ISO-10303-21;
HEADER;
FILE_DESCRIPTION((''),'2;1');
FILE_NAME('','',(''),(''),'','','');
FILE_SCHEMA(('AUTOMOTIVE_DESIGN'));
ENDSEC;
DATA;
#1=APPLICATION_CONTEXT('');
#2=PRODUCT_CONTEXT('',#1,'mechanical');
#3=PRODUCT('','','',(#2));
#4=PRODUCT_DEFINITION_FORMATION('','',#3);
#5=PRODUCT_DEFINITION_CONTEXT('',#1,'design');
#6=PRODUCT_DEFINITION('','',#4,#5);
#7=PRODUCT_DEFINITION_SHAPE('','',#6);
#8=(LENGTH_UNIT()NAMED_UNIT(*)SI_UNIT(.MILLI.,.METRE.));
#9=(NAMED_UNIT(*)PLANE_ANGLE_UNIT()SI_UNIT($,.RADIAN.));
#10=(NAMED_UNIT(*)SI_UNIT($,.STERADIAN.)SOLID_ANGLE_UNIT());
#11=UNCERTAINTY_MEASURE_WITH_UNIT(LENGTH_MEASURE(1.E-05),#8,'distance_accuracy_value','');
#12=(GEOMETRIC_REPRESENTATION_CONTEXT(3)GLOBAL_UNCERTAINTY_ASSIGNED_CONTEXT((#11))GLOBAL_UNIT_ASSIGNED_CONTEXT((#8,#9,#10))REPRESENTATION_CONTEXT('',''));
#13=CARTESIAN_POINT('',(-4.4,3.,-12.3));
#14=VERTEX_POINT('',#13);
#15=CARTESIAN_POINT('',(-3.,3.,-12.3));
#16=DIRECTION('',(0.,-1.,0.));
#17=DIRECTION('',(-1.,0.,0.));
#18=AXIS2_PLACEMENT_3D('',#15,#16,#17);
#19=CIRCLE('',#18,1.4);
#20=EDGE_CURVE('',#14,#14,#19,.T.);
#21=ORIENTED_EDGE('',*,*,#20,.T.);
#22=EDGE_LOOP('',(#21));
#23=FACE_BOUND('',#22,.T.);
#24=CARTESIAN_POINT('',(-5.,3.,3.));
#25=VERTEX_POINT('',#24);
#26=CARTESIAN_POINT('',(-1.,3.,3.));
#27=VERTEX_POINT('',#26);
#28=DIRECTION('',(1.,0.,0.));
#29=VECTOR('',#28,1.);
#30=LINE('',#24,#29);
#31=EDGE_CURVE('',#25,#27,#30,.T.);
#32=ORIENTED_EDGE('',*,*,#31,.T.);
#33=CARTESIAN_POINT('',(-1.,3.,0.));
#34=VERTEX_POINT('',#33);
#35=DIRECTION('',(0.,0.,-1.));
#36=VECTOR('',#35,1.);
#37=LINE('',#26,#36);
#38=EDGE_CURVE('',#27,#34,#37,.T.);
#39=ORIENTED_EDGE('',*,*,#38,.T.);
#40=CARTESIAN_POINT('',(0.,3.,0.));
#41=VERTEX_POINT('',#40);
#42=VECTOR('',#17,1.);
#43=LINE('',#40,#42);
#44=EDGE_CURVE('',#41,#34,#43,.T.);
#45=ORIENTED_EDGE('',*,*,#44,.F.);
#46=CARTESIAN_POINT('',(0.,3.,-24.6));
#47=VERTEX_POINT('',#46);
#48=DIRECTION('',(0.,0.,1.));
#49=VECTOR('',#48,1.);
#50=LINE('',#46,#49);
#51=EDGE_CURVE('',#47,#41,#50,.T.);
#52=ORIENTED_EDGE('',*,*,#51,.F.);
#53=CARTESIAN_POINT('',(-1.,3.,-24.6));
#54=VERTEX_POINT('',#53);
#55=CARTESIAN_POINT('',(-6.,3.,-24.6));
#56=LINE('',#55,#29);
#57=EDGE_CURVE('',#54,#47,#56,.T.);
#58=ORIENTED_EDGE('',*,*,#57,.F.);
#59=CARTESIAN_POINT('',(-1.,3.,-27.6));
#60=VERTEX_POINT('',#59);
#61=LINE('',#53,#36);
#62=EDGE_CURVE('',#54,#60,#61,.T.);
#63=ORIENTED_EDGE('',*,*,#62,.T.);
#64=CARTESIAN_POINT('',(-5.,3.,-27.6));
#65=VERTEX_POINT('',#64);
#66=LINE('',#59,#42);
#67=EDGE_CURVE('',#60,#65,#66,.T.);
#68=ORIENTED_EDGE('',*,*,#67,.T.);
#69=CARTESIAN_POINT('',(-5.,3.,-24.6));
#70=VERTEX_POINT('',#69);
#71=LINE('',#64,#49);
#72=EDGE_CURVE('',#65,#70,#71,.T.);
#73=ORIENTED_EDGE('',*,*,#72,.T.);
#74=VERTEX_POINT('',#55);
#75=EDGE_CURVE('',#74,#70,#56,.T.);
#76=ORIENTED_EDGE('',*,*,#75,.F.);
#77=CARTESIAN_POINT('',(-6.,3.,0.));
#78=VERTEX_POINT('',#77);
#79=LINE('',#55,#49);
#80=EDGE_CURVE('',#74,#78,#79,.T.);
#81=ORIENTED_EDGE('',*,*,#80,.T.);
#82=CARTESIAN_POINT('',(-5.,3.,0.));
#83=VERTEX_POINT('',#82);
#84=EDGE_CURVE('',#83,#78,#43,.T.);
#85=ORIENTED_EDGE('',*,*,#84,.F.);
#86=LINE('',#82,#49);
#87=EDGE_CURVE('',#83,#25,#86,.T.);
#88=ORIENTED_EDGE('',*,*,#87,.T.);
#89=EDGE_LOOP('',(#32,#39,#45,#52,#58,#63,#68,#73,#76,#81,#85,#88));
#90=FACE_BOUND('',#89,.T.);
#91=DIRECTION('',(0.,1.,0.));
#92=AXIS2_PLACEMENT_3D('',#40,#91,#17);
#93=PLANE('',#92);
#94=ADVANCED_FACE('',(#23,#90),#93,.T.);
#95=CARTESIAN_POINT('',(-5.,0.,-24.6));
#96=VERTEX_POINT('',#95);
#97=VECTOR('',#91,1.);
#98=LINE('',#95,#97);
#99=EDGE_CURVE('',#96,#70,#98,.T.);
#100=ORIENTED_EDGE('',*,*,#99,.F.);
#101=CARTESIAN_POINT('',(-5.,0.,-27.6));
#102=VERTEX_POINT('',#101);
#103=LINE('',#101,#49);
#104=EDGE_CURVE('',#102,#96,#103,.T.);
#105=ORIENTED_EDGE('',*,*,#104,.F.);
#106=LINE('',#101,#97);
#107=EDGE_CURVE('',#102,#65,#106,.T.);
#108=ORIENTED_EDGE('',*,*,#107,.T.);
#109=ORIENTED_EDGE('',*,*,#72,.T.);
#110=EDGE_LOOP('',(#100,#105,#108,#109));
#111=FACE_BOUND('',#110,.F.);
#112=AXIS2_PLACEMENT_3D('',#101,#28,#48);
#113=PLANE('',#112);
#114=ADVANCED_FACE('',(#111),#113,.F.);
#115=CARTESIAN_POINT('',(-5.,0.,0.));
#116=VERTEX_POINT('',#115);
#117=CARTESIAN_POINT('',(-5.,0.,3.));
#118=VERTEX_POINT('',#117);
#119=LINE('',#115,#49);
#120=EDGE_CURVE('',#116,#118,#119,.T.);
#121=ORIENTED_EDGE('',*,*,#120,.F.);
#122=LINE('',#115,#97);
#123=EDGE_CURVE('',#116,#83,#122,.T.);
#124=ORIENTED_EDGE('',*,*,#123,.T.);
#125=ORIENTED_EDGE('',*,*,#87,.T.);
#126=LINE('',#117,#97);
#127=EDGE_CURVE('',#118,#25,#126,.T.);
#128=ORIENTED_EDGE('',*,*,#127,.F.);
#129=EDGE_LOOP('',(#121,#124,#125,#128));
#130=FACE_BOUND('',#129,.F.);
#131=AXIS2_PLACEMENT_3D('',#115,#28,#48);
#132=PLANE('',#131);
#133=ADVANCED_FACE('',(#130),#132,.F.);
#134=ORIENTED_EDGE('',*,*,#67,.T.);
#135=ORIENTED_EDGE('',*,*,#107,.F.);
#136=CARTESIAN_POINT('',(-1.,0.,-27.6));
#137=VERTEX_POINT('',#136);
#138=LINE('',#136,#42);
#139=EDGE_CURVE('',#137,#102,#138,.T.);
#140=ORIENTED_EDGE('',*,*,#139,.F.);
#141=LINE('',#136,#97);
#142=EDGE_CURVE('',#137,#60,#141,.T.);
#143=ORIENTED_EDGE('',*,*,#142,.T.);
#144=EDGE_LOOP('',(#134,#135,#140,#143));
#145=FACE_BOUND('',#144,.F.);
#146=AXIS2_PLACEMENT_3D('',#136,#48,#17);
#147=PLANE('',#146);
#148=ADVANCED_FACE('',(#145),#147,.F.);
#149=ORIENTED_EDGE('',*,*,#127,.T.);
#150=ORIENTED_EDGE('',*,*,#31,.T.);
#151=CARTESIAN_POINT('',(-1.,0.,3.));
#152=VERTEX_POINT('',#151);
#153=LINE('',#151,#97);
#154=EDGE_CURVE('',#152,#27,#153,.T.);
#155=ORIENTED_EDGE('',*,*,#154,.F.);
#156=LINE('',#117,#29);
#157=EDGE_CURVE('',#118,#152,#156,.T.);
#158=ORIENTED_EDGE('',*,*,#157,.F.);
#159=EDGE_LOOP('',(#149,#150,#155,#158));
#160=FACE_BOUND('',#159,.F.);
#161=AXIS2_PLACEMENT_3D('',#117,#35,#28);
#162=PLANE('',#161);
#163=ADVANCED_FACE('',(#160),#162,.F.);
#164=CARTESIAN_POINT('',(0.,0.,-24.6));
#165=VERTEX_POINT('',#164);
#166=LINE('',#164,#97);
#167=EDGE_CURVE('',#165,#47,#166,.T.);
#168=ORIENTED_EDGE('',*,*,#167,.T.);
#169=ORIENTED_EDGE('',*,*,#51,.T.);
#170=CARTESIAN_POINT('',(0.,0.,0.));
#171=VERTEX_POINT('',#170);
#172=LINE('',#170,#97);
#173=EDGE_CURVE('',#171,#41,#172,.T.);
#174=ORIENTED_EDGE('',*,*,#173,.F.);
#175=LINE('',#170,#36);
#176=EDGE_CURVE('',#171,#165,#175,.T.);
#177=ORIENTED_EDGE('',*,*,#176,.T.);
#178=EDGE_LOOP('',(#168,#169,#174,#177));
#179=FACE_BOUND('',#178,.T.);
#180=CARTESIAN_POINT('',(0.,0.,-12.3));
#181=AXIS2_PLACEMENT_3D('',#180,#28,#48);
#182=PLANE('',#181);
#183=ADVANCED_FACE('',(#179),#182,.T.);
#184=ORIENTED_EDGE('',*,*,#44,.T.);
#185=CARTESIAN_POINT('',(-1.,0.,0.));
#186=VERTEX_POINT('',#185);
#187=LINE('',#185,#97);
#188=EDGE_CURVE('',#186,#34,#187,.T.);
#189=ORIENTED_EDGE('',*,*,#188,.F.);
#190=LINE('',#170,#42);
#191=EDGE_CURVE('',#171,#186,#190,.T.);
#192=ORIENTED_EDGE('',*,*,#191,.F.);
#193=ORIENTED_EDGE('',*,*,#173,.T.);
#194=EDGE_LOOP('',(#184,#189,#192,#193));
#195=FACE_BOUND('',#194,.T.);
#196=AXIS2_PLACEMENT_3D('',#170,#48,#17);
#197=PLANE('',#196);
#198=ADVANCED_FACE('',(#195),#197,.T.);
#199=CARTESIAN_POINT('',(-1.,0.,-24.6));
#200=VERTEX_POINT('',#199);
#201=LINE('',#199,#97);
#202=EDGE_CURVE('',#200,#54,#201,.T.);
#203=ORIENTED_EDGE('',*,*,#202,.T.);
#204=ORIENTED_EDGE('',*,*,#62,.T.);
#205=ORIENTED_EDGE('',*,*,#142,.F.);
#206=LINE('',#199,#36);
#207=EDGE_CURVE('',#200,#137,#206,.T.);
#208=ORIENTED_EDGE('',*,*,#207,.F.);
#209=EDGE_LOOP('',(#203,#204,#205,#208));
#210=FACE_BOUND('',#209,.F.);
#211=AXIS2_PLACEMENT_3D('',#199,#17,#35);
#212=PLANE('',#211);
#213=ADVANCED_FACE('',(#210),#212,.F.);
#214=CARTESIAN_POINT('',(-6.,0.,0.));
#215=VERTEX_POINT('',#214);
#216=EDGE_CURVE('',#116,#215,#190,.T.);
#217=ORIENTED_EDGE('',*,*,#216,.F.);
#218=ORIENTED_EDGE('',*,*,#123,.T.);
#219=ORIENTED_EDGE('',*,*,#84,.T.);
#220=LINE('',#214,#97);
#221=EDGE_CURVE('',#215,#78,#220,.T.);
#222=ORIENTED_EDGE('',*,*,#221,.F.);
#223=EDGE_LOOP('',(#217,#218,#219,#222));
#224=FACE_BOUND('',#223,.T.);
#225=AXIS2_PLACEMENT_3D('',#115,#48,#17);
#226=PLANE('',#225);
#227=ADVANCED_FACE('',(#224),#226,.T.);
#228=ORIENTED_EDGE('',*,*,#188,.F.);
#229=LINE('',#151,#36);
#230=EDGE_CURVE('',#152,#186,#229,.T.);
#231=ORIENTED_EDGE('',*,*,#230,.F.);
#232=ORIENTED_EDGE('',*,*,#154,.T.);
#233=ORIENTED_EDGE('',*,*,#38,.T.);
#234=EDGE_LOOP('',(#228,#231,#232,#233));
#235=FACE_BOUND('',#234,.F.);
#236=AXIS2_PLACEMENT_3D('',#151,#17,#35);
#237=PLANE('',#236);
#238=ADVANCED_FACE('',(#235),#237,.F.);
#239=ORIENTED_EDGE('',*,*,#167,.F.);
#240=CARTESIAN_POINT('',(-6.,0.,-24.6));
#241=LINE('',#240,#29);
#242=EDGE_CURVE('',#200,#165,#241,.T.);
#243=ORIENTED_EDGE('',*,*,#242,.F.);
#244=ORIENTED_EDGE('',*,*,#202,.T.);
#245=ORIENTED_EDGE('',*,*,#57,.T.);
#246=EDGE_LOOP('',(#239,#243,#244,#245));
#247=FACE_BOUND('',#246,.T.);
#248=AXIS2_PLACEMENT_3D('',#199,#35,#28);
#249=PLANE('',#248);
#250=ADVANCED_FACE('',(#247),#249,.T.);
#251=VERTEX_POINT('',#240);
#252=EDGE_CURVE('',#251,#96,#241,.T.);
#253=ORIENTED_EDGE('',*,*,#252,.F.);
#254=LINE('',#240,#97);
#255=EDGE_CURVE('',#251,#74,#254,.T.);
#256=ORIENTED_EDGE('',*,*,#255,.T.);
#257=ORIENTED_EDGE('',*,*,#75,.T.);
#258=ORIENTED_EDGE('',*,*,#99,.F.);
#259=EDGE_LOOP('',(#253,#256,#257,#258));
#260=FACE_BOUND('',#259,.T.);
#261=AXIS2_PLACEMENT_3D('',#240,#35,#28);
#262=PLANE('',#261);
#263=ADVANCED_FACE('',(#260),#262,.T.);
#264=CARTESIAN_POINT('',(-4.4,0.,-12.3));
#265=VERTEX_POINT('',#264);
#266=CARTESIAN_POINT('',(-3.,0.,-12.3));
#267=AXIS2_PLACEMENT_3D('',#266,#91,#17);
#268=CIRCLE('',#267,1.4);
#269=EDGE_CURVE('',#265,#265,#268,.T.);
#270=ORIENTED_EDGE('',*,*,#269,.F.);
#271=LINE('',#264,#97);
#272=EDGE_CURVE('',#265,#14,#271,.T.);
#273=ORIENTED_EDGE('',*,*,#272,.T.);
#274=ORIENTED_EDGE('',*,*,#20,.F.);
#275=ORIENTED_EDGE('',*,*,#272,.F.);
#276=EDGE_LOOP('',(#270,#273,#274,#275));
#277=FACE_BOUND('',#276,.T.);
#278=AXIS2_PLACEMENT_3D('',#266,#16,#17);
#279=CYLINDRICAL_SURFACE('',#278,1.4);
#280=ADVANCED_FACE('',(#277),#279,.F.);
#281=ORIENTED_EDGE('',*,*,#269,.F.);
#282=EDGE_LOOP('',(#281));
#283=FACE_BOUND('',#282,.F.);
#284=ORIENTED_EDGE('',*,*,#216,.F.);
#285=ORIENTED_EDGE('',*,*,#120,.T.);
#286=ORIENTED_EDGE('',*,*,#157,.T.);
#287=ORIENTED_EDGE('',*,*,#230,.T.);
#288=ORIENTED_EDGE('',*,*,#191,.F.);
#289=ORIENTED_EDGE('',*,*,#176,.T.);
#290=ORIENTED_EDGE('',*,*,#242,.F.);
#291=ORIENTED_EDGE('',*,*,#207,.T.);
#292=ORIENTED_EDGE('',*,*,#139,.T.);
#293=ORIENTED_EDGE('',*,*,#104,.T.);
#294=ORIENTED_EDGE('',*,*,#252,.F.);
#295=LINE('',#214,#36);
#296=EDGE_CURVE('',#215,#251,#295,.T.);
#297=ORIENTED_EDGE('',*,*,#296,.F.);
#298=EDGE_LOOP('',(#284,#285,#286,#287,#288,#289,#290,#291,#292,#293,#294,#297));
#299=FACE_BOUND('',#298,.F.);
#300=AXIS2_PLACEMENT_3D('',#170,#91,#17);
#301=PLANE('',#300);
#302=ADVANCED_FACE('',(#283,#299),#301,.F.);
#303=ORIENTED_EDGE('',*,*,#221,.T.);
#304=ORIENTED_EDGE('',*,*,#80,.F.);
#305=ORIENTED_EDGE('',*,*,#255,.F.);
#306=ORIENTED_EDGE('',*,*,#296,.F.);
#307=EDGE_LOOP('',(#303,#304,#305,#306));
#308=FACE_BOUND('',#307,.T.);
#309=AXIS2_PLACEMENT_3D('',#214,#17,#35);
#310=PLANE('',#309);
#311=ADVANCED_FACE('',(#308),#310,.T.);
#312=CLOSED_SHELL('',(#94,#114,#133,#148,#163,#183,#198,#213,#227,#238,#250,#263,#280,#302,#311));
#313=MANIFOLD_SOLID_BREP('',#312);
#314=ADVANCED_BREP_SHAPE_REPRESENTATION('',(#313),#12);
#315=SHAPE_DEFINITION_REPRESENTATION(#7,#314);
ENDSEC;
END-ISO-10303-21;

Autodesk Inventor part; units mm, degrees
ref_plane "YZ Plane" through (0, 0, 0) normal (1, 0, 0) x (0, 1, 0)
ref_plane "XZ Plane" through (0, 0, 0) normal (0, 1, 0) x (-1, 0, 0)
ref_plane "XY Plane" through (0, 0, 0) normal (0, 0, 1) x (1, 0, 0)
sketch "草圖1" plane through (0, 0, 0) normal (0, 1, 0) x (-1, 0, 0)
  line L0 (0, 0) -> (6, 0)
  line L1 (6, 0) -> (6, -24.6)
  line L2 (6, -24.6) -> (0, -24.6)
  line L3 (0, -24.6) -> (0, 0)
  line L4 (1, 0) -> (5, 0)
  line L5 (5, 0) -> (5, 3)
  line L6 (5, 3) -> (1, 3)
  line L7 (1, 3) -> (1, 0)
  line L8 (5, -24.6) -> (1, -24.6)
  line L9 (1, -24.6) -> (1, -27.6)
  line L10 (1, -27.6) -> (5, -27.6)
  line L11 (5, -27.6) -> (5, -24.6)
  line L12 (3, 0) -> (3, -24.6)
  line L13 (6, -12.3) -> (0, -12.3)
  circle A0 centre (3, -12.3) radius 1.4
  dimension "d0" = 24.6
  dimension "d1" = 6
  dimension "d2" = 4
  dimension "d3" = 3
  dimension "d4" = 3
  dimension "d5" = 4
  dimension "d6" = 2.8
extrude "擠出1" add sketch "草圖1" along normal blind 3 contours L0 L12 A0 L13 L3 | L7 L6 L5 L0 | L13 A0 L12 L2 L3 | L0 L1 L13 A0 L12 | L2 L11 L10 L9 | A0 L13 L1 L2 L12
properties part number "螺絲"
